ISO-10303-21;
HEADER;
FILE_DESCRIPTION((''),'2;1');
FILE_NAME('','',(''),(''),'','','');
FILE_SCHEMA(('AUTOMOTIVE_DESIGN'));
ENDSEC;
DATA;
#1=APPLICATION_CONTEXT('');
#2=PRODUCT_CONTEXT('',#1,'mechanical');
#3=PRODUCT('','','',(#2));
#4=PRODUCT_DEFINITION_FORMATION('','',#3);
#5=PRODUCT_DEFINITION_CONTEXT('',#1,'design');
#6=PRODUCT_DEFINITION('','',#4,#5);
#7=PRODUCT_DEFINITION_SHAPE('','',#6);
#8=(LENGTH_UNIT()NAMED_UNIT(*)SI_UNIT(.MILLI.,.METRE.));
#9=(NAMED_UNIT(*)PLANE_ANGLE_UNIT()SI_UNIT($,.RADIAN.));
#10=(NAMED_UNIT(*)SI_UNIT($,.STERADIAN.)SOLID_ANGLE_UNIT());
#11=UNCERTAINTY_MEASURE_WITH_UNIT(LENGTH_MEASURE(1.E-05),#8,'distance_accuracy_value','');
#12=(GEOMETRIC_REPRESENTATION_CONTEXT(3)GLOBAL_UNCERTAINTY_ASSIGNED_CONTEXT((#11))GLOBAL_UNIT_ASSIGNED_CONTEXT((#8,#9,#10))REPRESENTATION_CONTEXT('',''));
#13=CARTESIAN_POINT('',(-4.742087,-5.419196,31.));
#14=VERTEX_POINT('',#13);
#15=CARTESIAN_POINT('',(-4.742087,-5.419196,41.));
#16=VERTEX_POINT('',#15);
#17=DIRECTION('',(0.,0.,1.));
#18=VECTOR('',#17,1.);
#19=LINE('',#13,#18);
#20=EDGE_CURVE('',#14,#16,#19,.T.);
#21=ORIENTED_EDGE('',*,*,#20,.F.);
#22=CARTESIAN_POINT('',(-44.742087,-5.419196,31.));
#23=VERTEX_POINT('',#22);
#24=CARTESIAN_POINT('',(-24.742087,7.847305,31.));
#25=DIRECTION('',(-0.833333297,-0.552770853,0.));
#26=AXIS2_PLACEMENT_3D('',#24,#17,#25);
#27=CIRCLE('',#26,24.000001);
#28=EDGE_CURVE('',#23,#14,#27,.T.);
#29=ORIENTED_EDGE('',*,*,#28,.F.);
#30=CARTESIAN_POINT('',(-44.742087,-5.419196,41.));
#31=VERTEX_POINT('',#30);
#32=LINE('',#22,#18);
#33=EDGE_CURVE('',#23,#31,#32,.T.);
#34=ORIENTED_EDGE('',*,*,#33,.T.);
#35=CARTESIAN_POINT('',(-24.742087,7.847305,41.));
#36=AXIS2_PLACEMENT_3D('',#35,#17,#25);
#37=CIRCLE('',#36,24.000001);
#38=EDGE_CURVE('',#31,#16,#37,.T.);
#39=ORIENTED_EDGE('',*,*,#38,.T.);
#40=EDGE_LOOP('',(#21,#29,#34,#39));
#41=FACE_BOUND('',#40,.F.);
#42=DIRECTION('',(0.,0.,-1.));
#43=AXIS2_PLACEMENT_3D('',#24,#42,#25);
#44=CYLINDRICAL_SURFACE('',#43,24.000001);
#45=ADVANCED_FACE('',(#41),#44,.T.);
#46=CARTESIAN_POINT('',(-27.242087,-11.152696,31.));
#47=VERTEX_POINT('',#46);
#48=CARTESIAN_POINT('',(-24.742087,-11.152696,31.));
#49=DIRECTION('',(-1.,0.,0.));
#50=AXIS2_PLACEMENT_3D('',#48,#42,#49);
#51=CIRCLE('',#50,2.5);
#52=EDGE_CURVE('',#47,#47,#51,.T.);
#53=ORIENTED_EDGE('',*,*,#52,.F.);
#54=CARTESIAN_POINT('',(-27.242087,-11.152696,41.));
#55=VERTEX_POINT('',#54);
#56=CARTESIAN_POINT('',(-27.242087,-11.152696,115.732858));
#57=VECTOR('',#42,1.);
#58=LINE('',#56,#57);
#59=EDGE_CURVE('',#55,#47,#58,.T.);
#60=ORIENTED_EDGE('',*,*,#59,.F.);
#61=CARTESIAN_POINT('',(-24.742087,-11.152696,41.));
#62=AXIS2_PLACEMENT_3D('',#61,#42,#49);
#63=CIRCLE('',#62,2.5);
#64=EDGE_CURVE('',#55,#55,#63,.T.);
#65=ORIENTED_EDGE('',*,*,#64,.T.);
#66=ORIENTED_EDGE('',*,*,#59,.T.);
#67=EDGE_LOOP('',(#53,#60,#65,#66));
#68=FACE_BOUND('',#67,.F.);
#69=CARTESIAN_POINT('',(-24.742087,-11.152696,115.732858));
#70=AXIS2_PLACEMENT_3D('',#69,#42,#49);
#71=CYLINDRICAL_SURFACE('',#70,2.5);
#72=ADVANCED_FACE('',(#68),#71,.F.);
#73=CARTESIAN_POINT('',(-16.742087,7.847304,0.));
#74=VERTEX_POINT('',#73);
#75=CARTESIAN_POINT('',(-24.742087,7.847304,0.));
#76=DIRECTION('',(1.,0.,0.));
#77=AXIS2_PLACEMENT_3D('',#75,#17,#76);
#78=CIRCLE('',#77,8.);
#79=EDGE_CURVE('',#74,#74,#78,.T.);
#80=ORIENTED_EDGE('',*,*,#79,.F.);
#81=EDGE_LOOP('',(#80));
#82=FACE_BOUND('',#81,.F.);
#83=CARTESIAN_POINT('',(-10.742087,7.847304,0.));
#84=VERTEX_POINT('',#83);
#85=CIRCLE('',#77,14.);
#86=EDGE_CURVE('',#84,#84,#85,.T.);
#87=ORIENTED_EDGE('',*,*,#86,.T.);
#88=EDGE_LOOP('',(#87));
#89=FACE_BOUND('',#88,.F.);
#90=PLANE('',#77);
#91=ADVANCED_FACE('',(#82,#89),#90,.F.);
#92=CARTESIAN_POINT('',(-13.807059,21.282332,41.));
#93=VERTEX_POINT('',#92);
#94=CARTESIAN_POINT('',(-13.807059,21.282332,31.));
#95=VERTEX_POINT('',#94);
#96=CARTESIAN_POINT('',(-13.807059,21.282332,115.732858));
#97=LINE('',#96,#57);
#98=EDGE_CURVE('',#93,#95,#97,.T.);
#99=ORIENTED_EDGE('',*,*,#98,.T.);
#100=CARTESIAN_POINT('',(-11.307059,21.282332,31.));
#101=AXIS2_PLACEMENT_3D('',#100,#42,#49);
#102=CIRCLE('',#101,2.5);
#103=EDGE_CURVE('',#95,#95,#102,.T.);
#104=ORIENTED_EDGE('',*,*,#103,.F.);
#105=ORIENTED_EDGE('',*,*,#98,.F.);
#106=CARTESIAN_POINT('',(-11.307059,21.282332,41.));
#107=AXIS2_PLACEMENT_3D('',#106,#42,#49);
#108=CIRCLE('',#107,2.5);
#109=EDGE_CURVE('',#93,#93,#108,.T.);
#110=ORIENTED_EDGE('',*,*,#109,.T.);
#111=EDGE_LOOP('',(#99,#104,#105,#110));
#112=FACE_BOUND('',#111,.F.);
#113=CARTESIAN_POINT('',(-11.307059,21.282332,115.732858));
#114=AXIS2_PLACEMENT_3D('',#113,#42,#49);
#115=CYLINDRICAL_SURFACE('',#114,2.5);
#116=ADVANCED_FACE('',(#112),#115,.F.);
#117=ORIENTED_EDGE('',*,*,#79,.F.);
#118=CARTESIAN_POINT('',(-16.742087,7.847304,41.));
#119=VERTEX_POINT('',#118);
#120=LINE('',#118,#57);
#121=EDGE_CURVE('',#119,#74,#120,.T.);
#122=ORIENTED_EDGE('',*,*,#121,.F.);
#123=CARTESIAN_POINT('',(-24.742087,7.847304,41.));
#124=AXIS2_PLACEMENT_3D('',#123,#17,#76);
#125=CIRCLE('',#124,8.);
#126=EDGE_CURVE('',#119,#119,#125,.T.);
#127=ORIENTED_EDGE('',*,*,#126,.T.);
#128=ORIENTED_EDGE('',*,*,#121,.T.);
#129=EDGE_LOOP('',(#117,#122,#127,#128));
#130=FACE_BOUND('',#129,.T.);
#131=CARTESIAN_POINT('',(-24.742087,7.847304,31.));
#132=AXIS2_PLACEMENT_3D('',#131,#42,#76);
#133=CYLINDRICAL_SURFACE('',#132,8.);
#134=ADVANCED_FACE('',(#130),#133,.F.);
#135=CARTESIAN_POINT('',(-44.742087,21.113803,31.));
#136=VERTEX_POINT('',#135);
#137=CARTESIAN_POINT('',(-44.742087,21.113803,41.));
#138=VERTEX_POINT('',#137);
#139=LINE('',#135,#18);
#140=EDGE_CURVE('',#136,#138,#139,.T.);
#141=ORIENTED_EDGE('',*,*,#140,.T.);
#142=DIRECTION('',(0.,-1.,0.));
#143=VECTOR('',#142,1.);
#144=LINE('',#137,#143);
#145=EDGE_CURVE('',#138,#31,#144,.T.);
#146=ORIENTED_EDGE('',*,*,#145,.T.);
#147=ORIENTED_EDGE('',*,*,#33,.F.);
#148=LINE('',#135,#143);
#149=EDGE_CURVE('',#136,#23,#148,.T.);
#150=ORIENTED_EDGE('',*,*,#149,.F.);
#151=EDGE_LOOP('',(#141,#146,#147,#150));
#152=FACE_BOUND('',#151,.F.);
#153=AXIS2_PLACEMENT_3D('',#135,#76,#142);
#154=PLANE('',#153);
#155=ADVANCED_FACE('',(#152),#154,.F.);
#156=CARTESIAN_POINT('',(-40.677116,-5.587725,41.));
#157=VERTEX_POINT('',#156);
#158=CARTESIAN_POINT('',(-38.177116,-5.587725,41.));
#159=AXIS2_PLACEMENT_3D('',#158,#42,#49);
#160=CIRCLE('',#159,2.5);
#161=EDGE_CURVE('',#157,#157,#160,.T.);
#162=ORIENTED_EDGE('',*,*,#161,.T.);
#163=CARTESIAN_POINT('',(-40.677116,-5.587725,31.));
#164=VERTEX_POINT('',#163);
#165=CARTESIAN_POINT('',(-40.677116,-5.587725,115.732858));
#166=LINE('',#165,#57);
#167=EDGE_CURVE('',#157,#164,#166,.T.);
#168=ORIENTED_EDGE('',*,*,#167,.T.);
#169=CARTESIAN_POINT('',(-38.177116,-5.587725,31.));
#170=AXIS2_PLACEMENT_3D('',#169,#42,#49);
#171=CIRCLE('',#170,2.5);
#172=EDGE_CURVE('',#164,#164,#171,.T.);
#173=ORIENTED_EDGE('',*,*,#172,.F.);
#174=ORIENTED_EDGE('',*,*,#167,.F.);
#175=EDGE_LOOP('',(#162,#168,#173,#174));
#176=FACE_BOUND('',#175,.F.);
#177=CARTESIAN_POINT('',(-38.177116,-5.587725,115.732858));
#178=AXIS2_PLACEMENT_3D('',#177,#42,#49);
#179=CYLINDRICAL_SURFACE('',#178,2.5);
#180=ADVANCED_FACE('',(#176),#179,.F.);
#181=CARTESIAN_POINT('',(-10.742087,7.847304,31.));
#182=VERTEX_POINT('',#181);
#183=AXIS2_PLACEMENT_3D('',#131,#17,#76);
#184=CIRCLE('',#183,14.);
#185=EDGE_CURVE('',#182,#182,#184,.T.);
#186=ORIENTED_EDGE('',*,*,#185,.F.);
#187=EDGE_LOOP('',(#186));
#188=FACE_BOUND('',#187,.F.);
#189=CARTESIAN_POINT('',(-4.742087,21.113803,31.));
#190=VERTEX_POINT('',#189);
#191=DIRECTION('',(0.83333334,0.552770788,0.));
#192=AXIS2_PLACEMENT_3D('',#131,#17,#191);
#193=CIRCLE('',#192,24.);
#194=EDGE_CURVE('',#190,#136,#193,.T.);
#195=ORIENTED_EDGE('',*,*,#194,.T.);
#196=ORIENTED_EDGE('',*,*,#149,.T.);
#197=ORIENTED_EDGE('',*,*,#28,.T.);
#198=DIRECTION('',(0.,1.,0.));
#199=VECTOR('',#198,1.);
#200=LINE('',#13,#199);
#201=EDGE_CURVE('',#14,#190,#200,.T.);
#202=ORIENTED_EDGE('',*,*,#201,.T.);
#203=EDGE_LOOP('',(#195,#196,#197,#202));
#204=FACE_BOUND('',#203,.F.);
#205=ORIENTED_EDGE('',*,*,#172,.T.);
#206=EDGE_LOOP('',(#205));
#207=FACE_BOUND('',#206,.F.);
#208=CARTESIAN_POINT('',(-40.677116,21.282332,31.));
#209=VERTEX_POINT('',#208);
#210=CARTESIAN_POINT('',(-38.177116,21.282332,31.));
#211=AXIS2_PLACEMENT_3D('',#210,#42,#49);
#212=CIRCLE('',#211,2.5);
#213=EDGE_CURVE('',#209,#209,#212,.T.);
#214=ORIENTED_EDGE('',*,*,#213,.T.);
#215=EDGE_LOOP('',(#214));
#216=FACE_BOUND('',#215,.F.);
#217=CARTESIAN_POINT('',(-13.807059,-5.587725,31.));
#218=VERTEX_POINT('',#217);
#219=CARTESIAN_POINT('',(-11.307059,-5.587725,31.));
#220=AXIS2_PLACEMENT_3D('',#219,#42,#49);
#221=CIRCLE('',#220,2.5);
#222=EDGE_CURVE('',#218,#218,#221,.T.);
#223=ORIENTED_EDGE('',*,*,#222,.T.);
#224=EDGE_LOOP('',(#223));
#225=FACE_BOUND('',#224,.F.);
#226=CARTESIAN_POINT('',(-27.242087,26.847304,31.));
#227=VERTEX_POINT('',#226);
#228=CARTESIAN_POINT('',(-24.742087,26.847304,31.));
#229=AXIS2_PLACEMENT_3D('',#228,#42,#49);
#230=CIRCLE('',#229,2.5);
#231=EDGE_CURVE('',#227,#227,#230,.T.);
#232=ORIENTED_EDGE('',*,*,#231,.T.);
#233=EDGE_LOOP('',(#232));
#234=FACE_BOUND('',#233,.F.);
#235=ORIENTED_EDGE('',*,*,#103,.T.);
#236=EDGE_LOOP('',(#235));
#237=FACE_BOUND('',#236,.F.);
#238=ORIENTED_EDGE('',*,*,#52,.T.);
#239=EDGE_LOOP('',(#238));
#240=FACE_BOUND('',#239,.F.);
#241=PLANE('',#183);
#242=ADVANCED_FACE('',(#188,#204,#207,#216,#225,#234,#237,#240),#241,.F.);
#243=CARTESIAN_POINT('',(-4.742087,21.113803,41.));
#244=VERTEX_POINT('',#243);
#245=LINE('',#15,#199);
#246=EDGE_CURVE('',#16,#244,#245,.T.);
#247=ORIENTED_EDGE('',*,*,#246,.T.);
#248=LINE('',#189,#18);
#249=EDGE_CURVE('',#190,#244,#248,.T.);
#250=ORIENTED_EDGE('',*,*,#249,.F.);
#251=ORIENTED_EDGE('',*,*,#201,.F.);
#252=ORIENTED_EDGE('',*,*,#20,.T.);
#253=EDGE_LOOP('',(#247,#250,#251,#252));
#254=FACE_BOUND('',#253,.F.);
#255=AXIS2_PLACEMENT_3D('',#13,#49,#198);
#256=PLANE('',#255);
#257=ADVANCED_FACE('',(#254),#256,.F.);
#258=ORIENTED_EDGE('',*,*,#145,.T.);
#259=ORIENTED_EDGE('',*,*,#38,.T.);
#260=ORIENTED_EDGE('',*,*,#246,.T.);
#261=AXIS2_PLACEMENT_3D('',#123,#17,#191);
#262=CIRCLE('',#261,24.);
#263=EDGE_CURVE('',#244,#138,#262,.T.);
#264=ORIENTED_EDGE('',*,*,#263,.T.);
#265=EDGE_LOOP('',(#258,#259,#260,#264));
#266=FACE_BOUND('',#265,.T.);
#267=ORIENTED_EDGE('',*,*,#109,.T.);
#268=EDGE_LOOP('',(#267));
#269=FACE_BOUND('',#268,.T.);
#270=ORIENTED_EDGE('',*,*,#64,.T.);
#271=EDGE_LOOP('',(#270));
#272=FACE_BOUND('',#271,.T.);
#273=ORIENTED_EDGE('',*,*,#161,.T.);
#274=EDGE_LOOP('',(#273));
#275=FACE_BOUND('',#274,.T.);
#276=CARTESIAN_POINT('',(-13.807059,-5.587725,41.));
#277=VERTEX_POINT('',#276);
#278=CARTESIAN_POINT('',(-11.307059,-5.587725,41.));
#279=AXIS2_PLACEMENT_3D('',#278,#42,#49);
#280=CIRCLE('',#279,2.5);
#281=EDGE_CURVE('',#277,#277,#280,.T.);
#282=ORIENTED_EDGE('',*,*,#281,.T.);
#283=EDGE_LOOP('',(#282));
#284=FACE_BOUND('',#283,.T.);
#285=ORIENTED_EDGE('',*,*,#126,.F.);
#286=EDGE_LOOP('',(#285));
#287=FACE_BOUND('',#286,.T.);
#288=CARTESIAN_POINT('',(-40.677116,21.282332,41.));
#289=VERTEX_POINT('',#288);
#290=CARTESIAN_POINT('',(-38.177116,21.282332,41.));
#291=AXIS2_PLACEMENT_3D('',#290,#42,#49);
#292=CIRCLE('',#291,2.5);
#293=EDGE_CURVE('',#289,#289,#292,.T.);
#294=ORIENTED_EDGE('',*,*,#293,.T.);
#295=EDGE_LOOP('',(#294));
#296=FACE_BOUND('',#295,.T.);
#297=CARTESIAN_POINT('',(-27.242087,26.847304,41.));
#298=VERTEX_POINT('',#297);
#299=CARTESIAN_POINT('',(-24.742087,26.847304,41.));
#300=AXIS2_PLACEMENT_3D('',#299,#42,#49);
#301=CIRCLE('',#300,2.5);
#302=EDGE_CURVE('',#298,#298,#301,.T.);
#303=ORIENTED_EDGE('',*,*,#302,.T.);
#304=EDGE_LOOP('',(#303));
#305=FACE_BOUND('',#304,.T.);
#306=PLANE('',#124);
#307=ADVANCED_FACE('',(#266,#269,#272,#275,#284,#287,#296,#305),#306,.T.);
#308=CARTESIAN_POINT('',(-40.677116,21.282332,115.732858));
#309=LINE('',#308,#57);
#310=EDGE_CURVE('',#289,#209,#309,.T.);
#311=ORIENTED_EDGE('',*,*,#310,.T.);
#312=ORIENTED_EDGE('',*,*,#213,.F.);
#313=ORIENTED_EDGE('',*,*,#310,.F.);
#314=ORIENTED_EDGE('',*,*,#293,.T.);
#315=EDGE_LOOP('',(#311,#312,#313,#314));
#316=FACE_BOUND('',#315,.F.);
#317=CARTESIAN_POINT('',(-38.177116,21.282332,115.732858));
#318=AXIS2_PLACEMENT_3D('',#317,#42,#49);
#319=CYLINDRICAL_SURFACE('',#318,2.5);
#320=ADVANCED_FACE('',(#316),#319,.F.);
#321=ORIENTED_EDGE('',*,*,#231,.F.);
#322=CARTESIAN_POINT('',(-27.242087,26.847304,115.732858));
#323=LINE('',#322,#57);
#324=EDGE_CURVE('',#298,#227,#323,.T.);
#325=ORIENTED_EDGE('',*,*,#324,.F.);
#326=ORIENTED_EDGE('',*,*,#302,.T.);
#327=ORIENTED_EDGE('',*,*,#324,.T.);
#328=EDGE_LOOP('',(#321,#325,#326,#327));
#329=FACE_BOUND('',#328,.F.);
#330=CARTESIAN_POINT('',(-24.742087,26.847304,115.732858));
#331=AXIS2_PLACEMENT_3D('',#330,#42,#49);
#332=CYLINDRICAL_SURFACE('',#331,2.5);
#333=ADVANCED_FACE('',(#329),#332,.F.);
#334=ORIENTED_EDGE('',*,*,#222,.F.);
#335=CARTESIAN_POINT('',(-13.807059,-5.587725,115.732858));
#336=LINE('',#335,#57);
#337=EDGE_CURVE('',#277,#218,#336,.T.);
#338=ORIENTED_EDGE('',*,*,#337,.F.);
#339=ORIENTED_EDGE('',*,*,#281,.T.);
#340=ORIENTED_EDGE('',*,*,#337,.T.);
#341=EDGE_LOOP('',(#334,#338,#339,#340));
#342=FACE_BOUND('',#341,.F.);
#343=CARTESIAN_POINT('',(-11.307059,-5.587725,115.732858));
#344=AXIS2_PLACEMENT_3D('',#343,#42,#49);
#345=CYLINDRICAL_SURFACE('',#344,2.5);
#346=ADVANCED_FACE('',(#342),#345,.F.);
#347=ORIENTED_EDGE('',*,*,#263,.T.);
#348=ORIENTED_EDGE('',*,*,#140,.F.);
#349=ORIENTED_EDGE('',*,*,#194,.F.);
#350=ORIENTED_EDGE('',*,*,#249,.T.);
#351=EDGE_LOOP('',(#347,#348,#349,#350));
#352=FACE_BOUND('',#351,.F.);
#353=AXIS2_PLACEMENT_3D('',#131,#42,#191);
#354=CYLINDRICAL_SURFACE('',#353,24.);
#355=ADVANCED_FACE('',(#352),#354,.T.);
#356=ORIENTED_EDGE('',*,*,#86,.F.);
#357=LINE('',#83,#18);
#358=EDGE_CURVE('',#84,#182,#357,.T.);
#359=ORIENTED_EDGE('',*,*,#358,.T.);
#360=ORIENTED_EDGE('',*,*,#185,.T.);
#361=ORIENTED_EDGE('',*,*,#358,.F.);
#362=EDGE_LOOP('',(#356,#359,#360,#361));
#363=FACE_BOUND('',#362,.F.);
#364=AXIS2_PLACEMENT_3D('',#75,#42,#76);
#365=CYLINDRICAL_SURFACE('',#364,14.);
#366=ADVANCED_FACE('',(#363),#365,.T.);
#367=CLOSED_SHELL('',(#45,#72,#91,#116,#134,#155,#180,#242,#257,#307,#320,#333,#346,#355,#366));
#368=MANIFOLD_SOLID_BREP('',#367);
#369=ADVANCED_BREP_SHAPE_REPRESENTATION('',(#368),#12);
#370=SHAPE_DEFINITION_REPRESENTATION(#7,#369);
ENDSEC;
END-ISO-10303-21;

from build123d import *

# Parameters (mm, degrees)
F0_R     = 14
F0_R_2   = 8
F1_DEPTH = 31
F2_R     = 14
F2_R_2   = 8
F3_DEPTH = 10
F5_D     = 5


with BuildPart() as f1:
    # F0 (on Top) → F1 (new body)
    with BuildSketch(Plane.XY):
        with Locations((-24.742087, 7.847304)):
            Circle(F0_R)
        with Locations((-24.742087, 7.847304)):
            Circle(F0_R_2, mode=Mode.SUBTRACT)
    extrude(amount=F1_DEPTH)

    # F2 (on face) → F3 (join)
    with BuildSketch(Plane.XY.offset(31)):
        with BuildLine():
            Line((-4.742087, -5.419196), (-4.742087, 21.113803))
            ThreePointArc((-4.742087, 21.113803), (-24.742087, 31.847304), (-44.742087, 21.113803))
            Line((-44.742087, 21.113803), (-44.742087, -5.419196))
            ThreePointArc((-44.742087, -5.419196), (-24.742087, -16.152696), (-4.742087, -5.419196))
        make_face()
        with Locations((-24.742087, 7.847304)):
            Circle(F2_R, mode=Mode.SUBTRACT)
        with Locations((-24.742087, 7.847304)):
            Circle(F2_R)
        with Locations((-24.742087, 7.847304)):
            Circle(F2_R_2, mode=Mode.SUBTRACT)
    extrude(amount=F3_DEPTH)

    # F5 (through all)
    with Locations(Plane.XY.offset(41)):
        with Locations((-38.177116, 21.282332), (-24.742087, 26.847304), (-11.307059, 21.282332), (-11.307059, -5.587725), (-24.742087, -11.152696), (-38.177116, -5.587725)):
            Hole(F5_D / 2)


solid = f1.part
